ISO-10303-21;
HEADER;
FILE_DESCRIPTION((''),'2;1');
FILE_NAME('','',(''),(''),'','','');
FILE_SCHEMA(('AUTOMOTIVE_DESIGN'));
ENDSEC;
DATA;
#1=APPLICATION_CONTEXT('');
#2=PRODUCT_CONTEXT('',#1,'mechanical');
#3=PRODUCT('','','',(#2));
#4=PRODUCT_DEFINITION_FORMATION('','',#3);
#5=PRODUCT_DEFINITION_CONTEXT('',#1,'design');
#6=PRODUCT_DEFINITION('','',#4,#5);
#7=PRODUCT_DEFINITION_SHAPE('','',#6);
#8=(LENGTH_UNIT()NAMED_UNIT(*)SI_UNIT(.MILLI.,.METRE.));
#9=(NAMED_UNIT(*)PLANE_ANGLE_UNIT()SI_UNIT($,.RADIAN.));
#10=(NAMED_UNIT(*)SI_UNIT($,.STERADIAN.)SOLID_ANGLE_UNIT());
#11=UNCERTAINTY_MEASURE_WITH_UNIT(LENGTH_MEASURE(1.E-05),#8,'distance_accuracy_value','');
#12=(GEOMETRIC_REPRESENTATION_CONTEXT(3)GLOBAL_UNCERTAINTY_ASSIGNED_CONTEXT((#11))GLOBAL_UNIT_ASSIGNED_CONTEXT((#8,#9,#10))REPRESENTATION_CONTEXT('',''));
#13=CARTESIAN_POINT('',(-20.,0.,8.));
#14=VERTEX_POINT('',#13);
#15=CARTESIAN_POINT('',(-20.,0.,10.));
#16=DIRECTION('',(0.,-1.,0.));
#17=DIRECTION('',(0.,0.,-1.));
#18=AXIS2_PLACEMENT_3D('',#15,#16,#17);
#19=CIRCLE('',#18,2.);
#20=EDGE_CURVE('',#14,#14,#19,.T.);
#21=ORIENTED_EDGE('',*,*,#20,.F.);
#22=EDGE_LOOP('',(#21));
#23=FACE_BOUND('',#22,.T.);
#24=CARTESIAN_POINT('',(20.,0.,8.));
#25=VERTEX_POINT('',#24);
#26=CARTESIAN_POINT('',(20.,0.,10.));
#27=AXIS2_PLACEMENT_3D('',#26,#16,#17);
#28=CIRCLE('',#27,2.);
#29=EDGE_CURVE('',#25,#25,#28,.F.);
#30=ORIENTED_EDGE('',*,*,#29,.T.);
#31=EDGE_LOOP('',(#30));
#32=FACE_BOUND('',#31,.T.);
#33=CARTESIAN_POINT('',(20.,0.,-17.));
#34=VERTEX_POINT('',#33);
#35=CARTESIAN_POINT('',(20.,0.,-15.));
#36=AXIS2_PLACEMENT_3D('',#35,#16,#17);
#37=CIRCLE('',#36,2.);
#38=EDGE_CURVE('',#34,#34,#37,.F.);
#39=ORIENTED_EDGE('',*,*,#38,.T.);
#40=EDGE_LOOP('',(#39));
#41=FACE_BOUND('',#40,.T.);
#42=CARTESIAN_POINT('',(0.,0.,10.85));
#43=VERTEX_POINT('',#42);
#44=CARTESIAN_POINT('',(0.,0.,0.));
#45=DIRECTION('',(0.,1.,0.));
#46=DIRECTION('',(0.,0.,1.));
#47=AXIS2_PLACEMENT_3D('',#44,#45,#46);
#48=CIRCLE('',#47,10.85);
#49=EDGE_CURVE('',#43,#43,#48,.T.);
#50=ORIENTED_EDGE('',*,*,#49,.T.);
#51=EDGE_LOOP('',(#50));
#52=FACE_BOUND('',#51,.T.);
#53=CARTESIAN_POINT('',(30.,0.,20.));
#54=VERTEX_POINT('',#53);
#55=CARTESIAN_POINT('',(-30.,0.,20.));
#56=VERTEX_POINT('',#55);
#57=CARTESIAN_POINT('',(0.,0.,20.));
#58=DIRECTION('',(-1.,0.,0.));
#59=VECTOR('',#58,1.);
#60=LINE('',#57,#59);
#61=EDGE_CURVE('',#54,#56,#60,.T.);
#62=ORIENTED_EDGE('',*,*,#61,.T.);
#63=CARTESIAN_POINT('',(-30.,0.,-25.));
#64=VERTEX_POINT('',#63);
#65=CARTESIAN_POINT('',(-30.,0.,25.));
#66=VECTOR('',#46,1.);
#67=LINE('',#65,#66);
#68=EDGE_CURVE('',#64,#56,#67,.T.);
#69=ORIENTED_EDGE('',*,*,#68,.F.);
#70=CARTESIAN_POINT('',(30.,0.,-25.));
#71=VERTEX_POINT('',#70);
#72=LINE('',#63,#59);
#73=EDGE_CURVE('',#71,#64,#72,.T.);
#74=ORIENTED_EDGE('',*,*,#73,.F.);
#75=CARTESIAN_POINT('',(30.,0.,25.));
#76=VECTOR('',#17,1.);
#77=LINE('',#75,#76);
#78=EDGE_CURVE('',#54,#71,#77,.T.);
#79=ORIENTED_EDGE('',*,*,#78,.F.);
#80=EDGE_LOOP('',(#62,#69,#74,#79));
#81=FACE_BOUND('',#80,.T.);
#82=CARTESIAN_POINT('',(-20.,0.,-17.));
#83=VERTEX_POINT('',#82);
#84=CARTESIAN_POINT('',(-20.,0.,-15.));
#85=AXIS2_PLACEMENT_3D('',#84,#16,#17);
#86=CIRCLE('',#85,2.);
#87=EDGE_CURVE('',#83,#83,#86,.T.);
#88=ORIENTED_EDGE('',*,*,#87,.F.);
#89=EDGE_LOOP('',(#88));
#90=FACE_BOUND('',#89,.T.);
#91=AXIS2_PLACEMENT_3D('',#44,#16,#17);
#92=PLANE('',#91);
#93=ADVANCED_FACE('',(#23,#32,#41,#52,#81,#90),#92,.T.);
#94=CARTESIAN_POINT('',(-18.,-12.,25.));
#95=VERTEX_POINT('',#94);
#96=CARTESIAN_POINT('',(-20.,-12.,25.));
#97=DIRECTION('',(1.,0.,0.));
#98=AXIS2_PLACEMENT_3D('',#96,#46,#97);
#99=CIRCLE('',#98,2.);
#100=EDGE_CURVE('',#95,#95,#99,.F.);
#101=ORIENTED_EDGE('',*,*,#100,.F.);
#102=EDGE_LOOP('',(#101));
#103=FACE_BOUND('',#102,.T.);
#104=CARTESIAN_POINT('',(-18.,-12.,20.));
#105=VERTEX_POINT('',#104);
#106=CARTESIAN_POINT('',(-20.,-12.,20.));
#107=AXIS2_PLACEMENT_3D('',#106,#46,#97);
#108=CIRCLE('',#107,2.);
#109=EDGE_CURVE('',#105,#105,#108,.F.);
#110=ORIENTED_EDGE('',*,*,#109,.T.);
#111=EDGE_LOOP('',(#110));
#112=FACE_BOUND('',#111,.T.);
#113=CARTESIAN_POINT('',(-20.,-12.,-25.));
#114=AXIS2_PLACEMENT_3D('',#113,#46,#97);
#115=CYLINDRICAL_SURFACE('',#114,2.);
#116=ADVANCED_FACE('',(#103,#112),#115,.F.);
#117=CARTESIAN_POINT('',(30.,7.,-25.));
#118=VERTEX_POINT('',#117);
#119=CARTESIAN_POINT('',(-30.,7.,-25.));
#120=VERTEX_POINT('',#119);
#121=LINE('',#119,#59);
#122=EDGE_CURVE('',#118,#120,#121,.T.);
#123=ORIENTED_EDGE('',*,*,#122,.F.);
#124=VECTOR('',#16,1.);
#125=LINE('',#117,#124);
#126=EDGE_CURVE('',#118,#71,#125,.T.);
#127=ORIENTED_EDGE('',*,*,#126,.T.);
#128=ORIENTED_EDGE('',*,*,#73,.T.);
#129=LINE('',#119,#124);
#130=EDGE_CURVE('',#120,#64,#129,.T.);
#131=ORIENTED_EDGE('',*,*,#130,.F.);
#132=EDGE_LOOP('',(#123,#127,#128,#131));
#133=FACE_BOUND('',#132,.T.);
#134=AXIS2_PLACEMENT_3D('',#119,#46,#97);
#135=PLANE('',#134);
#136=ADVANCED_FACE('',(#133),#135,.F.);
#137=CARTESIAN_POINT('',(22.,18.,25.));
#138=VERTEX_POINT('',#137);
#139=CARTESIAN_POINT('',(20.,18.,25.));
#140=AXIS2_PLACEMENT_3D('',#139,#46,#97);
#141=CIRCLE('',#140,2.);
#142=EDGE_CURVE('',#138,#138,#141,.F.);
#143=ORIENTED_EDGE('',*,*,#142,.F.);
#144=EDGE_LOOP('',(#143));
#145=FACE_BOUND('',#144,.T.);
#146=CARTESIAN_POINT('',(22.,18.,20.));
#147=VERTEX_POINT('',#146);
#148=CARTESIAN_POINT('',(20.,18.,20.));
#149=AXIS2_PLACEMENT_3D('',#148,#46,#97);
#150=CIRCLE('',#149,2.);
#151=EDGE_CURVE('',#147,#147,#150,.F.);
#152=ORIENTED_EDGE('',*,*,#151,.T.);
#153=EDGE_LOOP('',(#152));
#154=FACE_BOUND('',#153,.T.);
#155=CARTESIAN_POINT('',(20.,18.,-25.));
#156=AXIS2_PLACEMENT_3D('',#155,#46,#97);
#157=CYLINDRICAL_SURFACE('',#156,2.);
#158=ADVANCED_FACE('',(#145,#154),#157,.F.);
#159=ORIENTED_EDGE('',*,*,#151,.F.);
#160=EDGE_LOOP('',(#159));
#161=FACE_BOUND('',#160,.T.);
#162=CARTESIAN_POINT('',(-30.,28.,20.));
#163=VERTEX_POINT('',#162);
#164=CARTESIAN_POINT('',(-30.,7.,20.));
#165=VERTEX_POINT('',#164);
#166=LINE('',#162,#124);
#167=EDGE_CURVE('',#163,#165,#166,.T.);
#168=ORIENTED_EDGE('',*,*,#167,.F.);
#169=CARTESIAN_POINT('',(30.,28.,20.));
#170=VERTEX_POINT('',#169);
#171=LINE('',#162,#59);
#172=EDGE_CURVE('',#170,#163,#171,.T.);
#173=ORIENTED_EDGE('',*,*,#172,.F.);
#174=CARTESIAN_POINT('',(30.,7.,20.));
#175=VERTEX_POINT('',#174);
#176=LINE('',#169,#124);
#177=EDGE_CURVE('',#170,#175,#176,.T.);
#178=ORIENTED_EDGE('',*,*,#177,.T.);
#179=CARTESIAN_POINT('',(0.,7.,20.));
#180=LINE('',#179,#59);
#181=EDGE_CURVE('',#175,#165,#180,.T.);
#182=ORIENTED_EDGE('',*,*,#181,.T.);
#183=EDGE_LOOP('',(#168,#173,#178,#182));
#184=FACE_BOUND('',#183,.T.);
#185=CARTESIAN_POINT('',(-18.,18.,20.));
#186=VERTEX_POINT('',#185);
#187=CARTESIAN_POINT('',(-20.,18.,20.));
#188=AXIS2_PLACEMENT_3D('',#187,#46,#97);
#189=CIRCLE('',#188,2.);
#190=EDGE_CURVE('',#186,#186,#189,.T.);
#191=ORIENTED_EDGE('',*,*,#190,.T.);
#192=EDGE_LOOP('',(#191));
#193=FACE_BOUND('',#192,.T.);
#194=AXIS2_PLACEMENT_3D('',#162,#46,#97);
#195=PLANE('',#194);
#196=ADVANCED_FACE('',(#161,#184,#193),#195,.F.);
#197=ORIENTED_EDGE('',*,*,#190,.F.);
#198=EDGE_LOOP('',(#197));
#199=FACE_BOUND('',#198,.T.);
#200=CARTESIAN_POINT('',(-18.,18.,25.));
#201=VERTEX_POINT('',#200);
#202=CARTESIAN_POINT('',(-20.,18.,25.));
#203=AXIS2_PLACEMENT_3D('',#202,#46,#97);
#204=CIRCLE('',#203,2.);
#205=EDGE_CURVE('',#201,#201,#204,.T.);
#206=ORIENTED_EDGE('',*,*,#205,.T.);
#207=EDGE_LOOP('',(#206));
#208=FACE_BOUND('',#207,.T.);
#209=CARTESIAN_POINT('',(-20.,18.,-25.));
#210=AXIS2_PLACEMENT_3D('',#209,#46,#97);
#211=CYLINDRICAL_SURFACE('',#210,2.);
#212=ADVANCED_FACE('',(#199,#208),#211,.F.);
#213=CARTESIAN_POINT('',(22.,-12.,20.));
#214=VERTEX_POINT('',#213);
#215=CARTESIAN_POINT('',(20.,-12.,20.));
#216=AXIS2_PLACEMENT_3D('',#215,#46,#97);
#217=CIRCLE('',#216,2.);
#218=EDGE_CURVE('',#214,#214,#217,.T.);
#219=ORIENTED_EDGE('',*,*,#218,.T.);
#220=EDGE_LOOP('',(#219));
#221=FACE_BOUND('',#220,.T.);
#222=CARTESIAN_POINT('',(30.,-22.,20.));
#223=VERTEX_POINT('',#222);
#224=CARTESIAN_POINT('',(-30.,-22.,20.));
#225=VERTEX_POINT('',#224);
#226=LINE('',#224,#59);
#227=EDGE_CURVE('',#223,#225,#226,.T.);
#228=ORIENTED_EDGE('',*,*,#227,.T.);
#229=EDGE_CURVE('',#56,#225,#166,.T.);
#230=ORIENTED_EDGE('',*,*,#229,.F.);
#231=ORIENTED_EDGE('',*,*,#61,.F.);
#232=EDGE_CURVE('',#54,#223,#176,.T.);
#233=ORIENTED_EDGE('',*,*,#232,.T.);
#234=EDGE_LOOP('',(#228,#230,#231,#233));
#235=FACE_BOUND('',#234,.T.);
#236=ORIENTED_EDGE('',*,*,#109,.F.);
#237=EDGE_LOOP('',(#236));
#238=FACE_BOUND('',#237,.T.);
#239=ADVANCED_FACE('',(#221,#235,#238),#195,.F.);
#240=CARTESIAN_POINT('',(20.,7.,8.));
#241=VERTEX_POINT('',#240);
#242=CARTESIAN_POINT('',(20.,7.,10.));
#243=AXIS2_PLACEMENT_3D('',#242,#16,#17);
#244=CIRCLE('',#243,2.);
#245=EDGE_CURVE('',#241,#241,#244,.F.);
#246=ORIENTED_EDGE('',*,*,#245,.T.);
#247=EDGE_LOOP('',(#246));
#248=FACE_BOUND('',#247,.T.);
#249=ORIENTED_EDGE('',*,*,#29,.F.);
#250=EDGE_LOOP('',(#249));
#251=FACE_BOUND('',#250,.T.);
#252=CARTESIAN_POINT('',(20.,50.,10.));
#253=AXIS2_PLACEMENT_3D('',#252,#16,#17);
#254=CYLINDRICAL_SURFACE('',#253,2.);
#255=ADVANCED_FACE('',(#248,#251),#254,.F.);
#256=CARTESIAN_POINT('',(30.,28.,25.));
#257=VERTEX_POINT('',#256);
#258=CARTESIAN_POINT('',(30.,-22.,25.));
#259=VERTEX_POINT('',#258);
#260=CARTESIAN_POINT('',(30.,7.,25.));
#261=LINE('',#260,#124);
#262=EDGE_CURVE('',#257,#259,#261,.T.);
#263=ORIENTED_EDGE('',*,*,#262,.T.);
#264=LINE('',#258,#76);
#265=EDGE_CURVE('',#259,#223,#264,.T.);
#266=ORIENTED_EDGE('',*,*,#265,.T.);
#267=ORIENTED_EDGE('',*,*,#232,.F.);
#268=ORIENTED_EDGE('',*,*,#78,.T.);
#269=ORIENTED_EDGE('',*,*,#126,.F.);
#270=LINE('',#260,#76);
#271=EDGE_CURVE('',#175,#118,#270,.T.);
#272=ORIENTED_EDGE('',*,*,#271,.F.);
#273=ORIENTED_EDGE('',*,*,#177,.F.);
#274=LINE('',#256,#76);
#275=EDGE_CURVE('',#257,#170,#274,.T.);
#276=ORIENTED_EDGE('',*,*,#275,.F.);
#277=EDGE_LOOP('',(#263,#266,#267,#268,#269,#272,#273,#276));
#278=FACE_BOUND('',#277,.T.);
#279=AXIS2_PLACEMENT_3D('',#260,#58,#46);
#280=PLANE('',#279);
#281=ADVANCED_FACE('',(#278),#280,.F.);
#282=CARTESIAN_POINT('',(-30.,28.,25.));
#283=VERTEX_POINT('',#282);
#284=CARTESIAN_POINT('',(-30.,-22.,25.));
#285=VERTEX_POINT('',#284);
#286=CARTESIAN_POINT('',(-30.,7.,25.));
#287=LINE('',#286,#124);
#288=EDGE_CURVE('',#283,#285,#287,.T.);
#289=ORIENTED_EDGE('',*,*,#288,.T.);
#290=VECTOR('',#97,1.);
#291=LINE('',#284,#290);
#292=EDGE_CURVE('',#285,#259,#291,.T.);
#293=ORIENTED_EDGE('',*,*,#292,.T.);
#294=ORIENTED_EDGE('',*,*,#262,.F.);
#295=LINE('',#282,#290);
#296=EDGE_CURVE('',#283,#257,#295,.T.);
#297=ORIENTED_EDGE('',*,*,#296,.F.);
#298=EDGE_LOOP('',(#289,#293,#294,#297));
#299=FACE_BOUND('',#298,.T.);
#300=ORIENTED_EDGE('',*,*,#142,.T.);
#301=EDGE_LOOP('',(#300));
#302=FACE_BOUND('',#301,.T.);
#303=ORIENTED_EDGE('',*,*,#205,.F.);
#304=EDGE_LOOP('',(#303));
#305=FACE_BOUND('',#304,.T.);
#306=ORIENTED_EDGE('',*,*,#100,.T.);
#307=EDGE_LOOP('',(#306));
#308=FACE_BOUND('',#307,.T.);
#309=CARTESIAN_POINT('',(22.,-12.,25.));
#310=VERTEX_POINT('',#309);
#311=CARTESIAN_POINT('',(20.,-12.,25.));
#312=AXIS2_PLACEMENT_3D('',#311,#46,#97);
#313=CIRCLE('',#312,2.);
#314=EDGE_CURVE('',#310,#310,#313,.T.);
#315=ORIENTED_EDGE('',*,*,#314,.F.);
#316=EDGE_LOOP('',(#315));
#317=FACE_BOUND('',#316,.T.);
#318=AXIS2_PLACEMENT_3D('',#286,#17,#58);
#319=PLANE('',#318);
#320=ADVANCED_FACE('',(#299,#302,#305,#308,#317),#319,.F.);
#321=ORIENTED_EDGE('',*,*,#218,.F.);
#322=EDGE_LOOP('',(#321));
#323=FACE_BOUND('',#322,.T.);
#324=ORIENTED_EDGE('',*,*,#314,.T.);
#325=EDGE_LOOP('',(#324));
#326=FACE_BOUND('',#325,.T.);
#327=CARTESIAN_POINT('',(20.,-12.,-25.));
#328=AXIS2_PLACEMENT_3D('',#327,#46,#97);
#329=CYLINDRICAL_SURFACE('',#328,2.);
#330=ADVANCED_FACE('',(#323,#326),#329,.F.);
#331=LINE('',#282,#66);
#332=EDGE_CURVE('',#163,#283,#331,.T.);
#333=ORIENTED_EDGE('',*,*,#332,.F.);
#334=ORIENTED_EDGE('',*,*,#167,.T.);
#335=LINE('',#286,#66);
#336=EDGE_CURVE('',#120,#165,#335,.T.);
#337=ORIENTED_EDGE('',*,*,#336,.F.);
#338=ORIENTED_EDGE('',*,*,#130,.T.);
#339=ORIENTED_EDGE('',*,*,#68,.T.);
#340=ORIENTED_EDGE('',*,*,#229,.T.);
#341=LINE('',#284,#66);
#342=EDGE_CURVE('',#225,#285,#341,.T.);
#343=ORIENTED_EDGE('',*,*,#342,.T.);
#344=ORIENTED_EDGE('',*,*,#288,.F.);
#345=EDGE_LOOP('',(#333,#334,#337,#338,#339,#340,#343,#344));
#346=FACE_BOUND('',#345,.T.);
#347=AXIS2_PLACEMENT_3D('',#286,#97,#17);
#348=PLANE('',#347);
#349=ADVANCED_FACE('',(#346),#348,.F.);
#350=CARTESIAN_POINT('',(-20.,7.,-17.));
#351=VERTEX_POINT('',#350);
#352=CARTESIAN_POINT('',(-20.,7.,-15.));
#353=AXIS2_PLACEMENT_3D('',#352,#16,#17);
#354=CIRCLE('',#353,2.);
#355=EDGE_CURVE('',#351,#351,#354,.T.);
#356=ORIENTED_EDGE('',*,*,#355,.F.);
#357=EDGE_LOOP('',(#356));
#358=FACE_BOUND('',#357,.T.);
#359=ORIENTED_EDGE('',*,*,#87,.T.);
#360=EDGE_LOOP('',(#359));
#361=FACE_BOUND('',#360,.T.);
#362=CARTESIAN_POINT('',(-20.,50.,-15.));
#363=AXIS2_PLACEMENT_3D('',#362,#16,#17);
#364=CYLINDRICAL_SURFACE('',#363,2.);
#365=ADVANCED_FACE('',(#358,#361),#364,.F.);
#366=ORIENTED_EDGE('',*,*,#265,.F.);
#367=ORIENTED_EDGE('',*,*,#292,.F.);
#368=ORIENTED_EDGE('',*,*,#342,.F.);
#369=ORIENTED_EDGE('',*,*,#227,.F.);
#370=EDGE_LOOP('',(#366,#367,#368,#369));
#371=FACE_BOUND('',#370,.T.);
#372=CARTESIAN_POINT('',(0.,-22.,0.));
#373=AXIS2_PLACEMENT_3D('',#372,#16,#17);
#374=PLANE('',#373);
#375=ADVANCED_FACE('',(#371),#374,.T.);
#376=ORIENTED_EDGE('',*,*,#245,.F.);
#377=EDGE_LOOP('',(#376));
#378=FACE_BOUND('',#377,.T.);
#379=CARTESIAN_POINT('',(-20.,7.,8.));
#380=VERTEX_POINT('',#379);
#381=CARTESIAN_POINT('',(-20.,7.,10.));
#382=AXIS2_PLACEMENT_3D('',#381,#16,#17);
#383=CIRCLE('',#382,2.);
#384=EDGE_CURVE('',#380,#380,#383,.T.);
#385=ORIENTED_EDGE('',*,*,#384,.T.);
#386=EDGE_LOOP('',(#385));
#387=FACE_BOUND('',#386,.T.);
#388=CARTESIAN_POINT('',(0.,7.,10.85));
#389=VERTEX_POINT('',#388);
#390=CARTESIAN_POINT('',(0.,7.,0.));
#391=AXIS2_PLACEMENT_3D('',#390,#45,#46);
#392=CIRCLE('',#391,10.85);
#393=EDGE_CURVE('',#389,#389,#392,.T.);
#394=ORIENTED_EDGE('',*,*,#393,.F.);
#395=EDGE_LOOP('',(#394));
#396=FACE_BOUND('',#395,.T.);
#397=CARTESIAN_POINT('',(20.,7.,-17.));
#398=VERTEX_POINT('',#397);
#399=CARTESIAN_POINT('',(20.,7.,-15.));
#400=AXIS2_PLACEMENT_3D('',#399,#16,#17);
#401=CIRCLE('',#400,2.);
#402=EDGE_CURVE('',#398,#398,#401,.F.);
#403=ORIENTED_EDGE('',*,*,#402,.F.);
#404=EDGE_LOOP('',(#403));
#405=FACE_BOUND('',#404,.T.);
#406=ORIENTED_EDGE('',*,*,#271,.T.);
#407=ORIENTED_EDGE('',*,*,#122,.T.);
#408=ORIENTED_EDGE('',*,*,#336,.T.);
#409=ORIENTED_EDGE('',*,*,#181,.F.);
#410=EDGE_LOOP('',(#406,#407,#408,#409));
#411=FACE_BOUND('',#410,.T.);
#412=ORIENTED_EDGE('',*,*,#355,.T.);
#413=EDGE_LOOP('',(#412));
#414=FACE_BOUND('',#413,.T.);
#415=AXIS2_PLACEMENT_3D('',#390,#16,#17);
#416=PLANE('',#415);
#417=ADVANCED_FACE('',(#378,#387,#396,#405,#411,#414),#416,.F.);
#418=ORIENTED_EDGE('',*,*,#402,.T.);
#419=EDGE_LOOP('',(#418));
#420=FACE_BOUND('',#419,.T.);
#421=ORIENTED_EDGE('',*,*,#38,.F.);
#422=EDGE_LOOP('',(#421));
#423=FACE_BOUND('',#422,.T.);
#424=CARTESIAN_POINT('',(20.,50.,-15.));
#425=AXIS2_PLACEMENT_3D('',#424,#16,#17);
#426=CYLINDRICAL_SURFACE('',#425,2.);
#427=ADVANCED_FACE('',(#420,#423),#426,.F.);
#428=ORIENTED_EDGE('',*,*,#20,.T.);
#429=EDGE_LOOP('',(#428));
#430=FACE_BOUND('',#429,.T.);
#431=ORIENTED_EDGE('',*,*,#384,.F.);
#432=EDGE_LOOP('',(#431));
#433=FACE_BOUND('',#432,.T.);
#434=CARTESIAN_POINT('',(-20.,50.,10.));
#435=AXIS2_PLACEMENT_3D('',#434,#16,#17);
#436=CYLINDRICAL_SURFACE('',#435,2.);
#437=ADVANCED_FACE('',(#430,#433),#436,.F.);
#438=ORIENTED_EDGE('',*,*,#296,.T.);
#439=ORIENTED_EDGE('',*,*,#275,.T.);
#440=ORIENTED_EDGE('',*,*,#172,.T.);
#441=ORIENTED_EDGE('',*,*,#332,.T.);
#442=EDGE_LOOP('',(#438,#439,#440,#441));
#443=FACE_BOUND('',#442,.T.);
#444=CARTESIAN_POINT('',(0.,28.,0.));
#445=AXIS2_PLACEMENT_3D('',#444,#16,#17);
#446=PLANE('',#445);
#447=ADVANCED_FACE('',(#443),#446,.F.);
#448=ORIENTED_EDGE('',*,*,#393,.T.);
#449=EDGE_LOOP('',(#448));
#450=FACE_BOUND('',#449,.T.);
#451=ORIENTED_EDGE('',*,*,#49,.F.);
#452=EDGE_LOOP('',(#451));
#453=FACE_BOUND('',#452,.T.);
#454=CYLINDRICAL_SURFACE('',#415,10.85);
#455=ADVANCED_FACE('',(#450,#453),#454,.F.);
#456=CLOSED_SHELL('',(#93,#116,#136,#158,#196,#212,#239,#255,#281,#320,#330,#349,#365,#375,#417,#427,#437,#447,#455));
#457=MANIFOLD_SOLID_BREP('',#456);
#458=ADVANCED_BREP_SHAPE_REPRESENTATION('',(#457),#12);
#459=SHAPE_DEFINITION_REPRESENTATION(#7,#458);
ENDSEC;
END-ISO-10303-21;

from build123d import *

# Parameters (mm, degrees)
SKETCH_2_W          = 60
SKETCH_2_H          = 50
SKETCH_2_R          = 10.85
EXTRUDE_1_DEPTH     = 7
SKETCH_4_W          = 60
SKETCH_4_H          = 5
EXTRUDE_2_DEPTH     = 25
SKETCH_6_R          = 2
CUT_EXTRUDE_1_DEPTH = 50
SKETCH_8_R          = 2
CUT_EXTRUDE_4_DEPTH = 50


with BuildPart() as part:
    # 草图2 → 凸台-拉伸1 (new body)
    with BuildSketch(Plane(origin=(0, 0, 0), x_dir=(1, 0, 0), z_dir=(0, 1, 0))):
        Rectangle(SKETCH_2_W, SKETCH_2_H)
        with Locations(Location((0, 0, 0), (0, 0, 270))):
            Circle(SKETCH_2_R, mode=Mode.SUBTRACT)
    extrude(amount=EXTRUDE_1_DEPTH)

    # 草图4 → 凸台-拉伸2 (add, symmetric)
    with BuildSketch(Plane(origin=(0, 3, 0), x_dir=(1, 0, 0), z_dir=(0, 1, 0))):
        with Locations((0, -22.5)):
            Rectangle(SKETCH_4_W, SKETCH_4_H)
    extrude(amount=EXTRUDE_2_DEPTH, both=True)

    # 草图6 → 切除-拉伸1 (cut)
    with BuildSketch(Plane.XY.offset(25)):
        with BuildLine():
            ThreePointArc((-18, 18), (-18.585786438, 19.414213562), (-20, 20))
            Line((-20, 20), (-20, 18))
            Line((-20, 18), (-22, 18))
            ThreePointArc((-22, 18), (-20, 16), (-18, 18))
        make_face()
        with BuildLine():
            Line((-20, 18), (-20, 20))
            ThreePointArc((-20, 20), (-21.414213562, 19.414213562), (-22, 18))
            Line((-22, 18), (-20, 18))
        make_face()
        with Locations((20, 18)):
            Circle(SKETCH_6_R)
        with Locations((-20, -12)):
            Circle(SKETCH_6_R)
        with Locations((20, -12)):
            Circle(SKETCH_6_R)
    extrude(amount=-CUT_EXTRUDE_1_DEPTH, mode=Mode.SUBTRACT)

    # 草图8 → 切除-拉伸4 (cut)
    with BuildSketch(Plane.XZ):
        with BuildLine():
            ThreePointArc((-18, 10), (-18.585786438, 11.414213562), (-20, 12))
            Line((-20, 12), (-20, 10))
            Line((-20, 10), (-22, 10))
            ThreePointArc((-22, 10), (-20, 8), (-18, 10))
        make_face()
        with BuildLine():
            Line((-20, 10), (-20, 12))
            ThreePointArc((-20, 12), (-21.414213562, 11.414213562), (-22, 10))
            Line((-22, 10), (-20, 10))
        make_face()
        with Locations(Location((20, 10, 0), (0, 0, 270))):
            Circle(SKETCH_8_R)
        with Locations(Location((20, -15, 0), (0, 0, 270))):
            Circle(SKETCH_8_R)
        with Locations(Location((-20, -15, 0), (0, 0, 270))):
            Circle(SKETCH_8_R)
    extrude(amount=-CUT_EXTRUDE_4_DEPTH, mode=Mode.SUBTRACT)


solid = part.part
